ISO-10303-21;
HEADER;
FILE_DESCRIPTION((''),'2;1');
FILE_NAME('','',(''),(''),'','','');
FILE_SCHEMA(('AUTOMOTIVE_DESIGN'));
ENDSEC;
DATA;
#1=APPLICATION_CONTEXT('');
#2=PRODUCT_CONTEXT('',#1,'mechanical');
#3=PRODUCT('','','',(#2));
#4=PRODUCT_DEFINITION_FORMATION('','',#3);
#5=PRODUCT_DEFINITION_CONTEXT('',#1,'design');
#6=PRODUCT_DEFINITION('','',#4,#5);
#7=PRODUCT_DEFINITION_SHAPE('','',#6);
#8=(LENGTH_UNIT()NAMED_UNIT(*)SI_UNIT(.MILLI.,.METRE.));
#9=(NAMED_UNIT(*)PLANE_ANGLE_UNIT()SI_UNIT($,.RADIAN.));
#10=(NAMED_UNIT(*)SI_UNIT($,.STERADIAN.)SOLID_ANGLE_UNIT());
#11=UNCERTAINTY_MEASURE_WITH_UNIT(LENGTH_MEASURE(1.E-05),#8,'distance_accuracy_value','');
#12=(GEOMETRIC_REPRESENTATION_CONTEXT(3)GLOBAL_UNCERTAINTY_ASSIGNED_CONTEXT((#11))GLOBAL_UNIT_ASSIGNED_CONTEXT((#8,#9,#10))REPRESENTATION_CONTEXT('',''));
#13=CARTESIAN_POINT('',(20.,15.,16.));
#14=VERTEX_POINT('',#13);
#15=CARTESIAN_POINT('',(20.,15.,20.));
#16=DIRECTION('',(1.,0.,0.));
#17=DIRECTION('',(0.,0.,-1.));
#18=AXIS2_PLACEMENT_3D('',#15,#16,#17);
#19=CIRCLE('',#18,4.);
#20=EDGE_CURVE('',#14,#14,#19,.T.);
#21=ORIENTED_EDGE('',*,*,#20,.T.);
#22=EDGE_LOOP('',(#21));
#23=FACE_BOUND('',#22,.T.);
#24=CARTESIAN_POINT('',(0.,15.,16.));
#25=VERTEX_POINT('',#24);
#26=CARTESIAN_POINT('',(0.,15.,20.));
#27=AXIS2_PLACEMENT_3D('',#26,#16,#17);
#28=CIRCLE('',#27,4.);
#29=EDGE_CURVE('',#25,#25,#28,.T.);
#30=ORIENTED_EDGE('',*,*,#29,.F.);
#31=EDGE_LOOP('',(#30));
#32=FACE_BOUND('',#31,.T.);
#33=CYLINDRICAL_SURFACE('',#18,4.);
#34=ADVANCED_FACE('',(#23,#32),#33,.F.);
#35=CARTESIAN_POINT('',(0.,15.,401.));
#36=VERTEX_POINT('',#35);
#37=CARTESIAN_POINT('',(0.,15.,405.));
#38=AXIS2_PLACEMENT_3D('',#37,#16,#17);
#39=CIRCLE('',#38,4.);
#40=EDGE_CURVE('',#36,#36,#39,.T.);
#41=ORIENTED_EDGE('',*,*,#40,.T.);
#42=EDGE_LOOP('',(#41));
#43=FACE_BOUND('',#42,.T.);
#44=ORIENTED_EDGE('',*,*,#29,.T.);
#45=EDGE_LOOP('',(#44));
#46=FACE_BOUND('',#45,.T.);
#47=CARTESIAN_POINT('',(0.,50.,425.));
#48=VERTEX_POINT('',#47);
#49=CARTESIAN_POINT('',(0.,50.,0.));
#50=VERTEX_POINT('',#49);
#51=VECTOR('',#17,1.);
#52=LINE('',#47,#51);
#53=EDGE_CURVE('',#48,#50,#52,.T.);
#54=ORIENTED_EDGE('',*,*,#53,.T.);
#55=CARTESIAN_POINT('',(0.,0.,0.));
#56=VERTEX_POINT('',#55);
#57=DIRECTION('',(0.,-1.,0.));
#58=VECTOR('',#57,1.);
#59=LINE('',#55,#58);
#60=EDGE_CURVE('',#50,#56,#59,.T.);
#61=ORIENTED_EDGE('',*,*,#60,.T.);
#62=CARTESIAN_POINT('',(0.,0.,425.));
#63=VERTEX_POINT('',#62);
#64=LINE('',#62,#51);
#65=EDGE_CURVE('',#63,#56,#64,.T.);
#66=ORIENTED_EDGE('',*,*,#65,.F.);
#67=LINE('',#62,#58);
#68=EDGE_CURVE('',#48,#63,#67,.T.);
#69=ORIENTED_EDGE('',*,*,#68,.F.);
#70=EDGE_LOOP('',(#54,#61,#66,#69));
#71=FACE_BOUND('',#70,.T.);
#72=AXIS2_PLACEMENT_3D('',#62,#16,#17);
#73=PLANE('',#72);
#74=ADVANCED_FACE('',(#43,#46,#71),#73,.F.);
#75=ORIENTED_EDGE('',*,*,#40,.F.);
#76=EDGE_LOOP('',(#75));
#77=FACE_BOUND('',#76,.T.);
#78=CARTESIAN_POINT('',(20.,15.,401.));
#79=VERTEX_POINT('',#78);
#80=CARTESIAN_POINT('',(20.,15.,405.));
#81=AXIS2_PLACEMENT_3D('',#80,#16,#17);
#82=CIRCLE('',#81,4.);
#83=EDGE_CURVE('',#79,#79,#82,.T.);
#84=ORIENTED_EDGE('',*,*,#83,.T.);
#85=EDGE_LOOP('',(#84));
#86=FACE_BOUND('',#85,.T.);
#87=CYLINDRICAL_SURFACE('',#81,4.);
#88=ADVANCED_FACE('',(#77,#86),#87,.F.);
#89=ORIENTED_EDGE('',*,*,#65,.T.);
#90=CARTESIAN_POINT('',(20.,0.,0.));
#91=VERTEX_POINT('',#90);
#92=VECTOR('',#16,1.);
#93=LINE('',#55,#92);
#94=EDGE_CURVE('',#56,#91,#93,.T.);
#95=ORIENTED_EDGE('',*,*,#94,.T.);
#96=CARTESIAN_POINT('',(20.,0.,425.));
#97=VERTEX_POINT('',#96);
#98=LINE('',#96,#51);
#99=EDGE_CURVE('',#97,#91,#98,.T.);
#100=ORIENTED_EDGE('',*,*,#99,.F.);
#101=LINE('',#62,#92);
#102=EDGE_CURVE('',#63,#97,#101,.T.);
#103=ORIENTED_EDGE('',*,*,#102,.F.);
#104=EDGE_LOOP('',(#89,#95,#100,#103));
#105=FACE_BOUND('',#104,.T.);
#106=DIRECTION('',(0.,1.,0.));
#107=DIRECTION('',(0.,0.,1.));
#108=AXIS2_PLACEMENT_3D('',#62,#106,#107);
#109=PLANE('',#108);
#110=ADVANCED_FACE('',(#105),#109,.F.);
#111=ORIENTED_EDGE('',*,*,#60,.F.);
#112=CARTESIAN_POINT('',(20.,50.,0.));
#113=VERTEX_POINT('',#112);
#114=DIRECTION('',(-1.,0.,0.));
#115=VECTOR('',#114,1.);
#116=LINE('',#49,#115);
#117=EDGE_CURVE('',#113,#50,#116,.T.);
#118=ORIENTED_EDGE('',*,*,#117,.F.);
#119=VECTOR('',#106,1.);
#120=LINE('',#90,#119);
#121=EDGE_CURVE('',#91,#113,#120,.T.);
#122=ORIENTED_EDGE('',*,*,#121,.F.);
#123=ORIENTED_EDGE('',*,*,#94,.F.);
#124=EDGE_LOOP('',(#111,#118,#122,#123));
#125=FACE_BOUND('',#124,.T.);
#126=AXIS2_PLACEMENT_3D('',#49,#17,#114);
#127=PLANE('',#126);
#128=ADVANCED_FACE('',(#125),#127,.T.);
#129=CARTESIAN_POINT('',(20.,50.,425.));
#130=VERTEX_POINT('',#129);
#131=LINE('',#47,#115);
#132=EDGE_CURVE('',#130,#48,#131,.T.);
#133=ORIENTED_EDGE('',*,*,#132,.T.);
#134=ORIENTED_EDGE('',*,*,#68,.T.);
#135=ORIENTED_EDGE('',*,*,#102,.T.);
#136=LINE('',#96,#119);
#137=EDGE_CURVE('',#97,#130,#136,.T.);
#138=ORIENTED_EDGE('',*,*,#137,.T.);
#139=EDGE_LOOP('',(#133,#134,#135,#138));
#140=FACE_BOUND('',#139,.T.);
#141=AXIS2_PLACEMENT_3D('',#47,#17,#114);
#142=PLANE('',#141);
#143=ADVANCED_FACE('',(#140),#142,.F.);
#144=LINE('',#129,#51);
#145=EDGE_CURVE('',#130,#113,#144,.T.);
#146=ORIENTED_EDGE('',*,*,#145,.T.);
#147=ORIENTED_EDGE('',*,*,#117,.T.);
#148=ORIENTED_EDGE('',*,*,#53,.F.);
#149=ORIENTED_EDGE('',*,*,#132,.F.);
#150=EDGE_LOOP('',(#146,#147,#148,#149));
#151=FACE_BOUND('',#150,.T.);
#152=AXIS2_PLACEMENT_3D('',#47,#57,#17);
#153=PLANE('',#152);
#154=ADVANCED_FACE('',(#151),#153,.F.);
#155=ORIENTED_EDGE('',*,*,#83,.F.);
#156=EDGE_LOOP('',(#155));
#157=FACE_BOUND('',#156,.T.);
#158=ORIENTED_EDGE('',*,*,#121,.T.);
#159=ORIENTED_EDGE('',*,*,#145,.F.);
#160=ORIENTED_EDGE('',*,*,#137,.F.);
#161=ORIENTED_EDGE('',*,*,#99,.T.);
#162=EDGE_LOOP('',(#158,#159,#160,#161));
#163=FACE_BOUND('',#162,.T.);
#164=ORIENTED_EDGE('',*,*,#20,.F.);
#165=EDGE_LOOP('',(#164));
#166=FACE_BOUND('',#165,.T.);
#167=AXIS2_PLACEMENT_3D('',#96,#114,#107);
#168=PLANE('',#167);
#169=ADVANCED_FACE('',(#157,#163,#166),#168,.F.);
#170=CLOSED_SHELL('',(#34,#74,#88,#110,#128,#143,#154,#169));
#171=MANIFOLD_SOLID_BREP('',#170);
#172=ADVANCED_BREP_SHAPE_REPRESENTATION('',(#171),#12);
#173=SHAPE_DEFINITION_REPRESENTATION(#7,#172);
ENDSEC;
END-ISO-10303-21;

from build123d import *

# Parameters (mm, degrees)
SKETCH1_W                = 20
SKETCH1_H                = 50
EXTRUDE1_DEPTH           = 425
F_8_0_8_DIAMETER_HOLE1_D = 8


with BuildPart() as part:
    # Sketch1 → Extrude1 (new body)
    with BuildSketch(Plane.XY):
        with Locations((10, 25)):
            Rectangle(SKETCH1_W, SKETCH1_H)
    extrude(amount=EXTRUDE1_DEPTH)

    # Ø8.0 (8) Diameter Hole1 (through all)
    with Locations(Plane(origin=(20, 15, 405), x_dir=(0, 0, 1), z_dir=(1, 0, 0))):
        with Locations((0, 0), (-385, 0)):
            Hole(F_8_0_8_DIAMETER_HOLE1_D / 2)


solid = part.part
